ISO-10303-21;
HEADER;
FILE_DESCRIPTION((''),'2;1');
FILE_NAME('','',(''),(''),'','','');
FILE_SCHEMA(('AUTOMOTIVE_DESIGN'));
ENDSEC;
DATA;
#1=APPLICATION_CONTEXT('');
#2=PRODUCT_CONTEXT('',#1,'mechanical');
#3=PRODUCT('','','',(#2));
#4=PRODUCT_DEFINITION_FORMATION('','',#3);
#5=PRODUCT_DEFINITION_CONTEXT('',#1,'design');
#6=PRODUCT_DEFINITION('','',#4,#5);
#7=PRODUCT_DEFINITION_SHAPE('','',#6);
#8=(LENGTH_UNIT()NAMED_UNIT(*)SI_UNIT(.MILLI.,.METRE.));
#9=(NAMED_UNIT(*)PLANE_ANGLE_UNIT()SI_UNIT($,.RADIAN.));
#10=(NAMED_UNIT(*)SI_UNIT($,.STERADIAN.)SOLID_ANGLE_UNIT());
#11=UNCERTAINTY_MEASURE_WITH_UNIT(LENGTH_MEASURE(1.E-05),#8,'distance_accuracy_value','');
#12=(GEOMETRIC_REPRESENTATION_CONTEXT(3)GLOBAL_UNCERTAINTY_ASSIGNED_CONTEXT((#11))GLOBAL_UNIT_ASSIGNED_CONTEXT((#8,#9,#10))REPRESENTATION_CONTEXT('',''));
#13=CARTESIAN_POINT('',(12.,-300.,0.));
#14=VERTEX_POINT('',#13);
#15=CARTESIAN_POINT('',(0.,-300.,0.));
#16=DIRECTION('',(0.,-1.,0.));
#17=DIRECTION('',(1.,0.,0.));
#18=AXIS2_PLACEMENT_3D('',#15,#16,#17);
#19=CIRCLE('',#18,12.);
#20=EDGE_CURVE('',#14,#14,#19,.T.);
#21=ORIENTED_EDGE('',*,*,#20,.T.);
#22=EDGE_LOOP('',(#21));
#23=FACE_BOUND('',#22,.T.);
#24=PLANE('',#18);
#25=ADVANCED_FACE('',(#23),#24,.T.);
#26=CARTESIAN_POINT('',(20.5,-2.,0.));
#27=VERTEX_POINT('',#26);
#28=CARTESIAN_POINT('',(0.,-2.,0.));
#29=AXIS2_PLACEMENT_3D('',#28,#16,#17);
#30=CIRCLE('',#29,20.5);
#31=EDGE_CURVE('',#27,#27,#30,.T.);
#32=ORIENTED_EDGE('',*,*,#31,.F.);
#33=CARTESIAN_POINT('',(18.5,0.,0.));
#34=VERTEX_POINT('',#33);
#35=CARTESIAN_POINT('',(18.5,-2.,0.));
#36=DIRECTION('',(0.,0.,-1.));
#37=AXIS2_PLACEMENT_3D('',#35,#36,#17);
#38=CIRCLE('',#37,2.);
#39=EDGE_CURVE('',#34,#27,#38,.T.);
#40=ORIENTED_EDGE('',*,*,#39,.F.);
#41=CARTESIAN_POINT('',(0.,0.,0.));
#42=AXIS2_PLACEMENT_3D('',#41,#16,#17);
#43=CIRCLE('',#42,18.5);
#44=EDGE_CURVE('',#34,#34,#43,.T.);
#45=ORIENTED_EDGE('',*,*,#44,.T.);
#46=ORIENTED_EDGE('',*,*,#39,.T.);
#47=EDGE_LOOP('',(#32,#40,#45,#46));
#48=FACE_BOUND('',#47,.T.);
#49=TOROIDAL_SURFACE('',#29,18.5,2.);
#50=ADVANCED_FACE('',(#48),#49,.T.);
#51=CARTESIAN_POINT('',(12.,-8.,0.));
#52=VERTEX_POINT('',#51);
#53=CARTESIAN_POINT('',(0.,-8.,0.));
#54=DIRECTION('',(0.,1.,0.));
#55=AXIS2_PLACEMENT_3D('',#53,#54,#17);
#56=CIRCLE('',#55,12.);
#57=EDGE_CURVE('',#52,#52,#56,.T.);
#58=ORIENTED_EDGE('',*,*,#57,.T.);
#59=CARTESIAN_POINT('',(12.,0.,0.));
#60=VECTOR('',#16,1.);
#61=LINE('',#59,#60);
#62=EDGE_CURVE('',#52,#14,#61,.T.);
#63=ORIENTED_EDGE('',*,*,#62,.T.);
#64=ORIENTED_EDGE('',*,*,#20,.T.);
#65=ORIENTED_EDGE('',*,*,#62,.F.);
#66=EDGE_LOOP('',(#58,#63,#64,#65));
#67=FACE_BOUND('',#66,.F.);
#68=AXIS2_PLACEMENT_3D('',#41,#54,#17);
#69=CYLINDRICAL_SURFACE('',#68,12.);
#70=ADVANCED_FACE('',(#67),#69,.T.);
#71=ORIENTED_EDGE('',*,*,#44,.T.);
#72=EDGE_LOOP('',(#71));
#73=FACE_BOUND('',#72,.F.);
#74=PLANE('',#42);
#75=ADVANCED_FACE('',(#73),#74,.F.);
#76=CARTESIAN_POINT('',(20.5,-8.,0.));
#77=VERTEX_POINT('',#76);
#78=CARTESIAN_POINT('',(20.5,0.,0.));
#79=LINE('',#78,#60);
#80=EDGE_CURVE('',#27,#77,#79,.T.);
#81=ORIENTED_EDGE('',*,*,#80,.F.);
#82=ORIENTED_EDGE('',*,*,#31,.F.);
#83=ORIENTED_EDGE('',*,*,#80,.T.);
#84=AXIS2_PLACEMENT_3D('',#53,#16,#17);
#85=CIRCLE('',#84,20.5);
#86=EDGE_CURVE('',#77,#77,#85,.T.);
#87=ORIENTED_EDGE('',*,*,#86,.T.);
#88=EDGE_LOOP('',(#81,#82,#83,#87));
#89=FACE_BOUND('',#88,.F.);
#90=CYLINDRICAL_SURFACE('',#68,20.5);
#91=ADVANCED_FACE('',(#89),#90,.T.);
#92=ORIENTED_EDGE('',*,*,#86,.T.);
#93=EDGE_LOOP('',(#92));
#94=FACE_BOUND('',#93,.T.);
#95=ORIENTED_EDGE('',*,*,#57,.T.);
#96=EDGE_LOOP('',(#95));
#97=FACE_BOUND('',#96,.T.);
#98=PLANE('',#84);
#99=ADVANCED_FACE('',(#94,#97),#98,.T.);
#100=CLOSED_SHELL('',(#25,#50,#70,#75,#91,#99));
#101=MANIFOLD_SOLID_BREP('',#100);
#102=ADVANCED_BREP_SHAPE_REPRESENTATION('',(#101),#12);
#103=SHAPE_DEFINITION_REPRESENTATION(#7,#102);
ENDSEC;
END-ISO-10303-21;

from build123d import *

# Parameters (mm, degrees)
F0_R     = 20.5
F0_R_2   = 12
F1_DEPTH = 8
F2_DEPTH = 300
F3_R     = 2


with BuildPart() as f1:
    # F0 (on Front) → F1 (new body)
    with BuildSketch(Plane.XZ):
        Circle(F0_R)
        Circle(F0_R_2, mode=Mode.SUBTRACT)
        Circle(F0_R_2)
    extrude(amount=F1_DEPTH)

    # F0 (on Front) → F2 (join)
    with BuildSketch(Plane.XZ):
        Circle(F0_R_2)
    extrude(amount=F2_DEPTH)

    # F3
    f3_edges = [f1.edges().sort_by_distance(p)[0] for p in [
        (-20.5, 0, 0),
    ]]
    fillet(f3_edges, radius=F3_R)


solid = f1.part
